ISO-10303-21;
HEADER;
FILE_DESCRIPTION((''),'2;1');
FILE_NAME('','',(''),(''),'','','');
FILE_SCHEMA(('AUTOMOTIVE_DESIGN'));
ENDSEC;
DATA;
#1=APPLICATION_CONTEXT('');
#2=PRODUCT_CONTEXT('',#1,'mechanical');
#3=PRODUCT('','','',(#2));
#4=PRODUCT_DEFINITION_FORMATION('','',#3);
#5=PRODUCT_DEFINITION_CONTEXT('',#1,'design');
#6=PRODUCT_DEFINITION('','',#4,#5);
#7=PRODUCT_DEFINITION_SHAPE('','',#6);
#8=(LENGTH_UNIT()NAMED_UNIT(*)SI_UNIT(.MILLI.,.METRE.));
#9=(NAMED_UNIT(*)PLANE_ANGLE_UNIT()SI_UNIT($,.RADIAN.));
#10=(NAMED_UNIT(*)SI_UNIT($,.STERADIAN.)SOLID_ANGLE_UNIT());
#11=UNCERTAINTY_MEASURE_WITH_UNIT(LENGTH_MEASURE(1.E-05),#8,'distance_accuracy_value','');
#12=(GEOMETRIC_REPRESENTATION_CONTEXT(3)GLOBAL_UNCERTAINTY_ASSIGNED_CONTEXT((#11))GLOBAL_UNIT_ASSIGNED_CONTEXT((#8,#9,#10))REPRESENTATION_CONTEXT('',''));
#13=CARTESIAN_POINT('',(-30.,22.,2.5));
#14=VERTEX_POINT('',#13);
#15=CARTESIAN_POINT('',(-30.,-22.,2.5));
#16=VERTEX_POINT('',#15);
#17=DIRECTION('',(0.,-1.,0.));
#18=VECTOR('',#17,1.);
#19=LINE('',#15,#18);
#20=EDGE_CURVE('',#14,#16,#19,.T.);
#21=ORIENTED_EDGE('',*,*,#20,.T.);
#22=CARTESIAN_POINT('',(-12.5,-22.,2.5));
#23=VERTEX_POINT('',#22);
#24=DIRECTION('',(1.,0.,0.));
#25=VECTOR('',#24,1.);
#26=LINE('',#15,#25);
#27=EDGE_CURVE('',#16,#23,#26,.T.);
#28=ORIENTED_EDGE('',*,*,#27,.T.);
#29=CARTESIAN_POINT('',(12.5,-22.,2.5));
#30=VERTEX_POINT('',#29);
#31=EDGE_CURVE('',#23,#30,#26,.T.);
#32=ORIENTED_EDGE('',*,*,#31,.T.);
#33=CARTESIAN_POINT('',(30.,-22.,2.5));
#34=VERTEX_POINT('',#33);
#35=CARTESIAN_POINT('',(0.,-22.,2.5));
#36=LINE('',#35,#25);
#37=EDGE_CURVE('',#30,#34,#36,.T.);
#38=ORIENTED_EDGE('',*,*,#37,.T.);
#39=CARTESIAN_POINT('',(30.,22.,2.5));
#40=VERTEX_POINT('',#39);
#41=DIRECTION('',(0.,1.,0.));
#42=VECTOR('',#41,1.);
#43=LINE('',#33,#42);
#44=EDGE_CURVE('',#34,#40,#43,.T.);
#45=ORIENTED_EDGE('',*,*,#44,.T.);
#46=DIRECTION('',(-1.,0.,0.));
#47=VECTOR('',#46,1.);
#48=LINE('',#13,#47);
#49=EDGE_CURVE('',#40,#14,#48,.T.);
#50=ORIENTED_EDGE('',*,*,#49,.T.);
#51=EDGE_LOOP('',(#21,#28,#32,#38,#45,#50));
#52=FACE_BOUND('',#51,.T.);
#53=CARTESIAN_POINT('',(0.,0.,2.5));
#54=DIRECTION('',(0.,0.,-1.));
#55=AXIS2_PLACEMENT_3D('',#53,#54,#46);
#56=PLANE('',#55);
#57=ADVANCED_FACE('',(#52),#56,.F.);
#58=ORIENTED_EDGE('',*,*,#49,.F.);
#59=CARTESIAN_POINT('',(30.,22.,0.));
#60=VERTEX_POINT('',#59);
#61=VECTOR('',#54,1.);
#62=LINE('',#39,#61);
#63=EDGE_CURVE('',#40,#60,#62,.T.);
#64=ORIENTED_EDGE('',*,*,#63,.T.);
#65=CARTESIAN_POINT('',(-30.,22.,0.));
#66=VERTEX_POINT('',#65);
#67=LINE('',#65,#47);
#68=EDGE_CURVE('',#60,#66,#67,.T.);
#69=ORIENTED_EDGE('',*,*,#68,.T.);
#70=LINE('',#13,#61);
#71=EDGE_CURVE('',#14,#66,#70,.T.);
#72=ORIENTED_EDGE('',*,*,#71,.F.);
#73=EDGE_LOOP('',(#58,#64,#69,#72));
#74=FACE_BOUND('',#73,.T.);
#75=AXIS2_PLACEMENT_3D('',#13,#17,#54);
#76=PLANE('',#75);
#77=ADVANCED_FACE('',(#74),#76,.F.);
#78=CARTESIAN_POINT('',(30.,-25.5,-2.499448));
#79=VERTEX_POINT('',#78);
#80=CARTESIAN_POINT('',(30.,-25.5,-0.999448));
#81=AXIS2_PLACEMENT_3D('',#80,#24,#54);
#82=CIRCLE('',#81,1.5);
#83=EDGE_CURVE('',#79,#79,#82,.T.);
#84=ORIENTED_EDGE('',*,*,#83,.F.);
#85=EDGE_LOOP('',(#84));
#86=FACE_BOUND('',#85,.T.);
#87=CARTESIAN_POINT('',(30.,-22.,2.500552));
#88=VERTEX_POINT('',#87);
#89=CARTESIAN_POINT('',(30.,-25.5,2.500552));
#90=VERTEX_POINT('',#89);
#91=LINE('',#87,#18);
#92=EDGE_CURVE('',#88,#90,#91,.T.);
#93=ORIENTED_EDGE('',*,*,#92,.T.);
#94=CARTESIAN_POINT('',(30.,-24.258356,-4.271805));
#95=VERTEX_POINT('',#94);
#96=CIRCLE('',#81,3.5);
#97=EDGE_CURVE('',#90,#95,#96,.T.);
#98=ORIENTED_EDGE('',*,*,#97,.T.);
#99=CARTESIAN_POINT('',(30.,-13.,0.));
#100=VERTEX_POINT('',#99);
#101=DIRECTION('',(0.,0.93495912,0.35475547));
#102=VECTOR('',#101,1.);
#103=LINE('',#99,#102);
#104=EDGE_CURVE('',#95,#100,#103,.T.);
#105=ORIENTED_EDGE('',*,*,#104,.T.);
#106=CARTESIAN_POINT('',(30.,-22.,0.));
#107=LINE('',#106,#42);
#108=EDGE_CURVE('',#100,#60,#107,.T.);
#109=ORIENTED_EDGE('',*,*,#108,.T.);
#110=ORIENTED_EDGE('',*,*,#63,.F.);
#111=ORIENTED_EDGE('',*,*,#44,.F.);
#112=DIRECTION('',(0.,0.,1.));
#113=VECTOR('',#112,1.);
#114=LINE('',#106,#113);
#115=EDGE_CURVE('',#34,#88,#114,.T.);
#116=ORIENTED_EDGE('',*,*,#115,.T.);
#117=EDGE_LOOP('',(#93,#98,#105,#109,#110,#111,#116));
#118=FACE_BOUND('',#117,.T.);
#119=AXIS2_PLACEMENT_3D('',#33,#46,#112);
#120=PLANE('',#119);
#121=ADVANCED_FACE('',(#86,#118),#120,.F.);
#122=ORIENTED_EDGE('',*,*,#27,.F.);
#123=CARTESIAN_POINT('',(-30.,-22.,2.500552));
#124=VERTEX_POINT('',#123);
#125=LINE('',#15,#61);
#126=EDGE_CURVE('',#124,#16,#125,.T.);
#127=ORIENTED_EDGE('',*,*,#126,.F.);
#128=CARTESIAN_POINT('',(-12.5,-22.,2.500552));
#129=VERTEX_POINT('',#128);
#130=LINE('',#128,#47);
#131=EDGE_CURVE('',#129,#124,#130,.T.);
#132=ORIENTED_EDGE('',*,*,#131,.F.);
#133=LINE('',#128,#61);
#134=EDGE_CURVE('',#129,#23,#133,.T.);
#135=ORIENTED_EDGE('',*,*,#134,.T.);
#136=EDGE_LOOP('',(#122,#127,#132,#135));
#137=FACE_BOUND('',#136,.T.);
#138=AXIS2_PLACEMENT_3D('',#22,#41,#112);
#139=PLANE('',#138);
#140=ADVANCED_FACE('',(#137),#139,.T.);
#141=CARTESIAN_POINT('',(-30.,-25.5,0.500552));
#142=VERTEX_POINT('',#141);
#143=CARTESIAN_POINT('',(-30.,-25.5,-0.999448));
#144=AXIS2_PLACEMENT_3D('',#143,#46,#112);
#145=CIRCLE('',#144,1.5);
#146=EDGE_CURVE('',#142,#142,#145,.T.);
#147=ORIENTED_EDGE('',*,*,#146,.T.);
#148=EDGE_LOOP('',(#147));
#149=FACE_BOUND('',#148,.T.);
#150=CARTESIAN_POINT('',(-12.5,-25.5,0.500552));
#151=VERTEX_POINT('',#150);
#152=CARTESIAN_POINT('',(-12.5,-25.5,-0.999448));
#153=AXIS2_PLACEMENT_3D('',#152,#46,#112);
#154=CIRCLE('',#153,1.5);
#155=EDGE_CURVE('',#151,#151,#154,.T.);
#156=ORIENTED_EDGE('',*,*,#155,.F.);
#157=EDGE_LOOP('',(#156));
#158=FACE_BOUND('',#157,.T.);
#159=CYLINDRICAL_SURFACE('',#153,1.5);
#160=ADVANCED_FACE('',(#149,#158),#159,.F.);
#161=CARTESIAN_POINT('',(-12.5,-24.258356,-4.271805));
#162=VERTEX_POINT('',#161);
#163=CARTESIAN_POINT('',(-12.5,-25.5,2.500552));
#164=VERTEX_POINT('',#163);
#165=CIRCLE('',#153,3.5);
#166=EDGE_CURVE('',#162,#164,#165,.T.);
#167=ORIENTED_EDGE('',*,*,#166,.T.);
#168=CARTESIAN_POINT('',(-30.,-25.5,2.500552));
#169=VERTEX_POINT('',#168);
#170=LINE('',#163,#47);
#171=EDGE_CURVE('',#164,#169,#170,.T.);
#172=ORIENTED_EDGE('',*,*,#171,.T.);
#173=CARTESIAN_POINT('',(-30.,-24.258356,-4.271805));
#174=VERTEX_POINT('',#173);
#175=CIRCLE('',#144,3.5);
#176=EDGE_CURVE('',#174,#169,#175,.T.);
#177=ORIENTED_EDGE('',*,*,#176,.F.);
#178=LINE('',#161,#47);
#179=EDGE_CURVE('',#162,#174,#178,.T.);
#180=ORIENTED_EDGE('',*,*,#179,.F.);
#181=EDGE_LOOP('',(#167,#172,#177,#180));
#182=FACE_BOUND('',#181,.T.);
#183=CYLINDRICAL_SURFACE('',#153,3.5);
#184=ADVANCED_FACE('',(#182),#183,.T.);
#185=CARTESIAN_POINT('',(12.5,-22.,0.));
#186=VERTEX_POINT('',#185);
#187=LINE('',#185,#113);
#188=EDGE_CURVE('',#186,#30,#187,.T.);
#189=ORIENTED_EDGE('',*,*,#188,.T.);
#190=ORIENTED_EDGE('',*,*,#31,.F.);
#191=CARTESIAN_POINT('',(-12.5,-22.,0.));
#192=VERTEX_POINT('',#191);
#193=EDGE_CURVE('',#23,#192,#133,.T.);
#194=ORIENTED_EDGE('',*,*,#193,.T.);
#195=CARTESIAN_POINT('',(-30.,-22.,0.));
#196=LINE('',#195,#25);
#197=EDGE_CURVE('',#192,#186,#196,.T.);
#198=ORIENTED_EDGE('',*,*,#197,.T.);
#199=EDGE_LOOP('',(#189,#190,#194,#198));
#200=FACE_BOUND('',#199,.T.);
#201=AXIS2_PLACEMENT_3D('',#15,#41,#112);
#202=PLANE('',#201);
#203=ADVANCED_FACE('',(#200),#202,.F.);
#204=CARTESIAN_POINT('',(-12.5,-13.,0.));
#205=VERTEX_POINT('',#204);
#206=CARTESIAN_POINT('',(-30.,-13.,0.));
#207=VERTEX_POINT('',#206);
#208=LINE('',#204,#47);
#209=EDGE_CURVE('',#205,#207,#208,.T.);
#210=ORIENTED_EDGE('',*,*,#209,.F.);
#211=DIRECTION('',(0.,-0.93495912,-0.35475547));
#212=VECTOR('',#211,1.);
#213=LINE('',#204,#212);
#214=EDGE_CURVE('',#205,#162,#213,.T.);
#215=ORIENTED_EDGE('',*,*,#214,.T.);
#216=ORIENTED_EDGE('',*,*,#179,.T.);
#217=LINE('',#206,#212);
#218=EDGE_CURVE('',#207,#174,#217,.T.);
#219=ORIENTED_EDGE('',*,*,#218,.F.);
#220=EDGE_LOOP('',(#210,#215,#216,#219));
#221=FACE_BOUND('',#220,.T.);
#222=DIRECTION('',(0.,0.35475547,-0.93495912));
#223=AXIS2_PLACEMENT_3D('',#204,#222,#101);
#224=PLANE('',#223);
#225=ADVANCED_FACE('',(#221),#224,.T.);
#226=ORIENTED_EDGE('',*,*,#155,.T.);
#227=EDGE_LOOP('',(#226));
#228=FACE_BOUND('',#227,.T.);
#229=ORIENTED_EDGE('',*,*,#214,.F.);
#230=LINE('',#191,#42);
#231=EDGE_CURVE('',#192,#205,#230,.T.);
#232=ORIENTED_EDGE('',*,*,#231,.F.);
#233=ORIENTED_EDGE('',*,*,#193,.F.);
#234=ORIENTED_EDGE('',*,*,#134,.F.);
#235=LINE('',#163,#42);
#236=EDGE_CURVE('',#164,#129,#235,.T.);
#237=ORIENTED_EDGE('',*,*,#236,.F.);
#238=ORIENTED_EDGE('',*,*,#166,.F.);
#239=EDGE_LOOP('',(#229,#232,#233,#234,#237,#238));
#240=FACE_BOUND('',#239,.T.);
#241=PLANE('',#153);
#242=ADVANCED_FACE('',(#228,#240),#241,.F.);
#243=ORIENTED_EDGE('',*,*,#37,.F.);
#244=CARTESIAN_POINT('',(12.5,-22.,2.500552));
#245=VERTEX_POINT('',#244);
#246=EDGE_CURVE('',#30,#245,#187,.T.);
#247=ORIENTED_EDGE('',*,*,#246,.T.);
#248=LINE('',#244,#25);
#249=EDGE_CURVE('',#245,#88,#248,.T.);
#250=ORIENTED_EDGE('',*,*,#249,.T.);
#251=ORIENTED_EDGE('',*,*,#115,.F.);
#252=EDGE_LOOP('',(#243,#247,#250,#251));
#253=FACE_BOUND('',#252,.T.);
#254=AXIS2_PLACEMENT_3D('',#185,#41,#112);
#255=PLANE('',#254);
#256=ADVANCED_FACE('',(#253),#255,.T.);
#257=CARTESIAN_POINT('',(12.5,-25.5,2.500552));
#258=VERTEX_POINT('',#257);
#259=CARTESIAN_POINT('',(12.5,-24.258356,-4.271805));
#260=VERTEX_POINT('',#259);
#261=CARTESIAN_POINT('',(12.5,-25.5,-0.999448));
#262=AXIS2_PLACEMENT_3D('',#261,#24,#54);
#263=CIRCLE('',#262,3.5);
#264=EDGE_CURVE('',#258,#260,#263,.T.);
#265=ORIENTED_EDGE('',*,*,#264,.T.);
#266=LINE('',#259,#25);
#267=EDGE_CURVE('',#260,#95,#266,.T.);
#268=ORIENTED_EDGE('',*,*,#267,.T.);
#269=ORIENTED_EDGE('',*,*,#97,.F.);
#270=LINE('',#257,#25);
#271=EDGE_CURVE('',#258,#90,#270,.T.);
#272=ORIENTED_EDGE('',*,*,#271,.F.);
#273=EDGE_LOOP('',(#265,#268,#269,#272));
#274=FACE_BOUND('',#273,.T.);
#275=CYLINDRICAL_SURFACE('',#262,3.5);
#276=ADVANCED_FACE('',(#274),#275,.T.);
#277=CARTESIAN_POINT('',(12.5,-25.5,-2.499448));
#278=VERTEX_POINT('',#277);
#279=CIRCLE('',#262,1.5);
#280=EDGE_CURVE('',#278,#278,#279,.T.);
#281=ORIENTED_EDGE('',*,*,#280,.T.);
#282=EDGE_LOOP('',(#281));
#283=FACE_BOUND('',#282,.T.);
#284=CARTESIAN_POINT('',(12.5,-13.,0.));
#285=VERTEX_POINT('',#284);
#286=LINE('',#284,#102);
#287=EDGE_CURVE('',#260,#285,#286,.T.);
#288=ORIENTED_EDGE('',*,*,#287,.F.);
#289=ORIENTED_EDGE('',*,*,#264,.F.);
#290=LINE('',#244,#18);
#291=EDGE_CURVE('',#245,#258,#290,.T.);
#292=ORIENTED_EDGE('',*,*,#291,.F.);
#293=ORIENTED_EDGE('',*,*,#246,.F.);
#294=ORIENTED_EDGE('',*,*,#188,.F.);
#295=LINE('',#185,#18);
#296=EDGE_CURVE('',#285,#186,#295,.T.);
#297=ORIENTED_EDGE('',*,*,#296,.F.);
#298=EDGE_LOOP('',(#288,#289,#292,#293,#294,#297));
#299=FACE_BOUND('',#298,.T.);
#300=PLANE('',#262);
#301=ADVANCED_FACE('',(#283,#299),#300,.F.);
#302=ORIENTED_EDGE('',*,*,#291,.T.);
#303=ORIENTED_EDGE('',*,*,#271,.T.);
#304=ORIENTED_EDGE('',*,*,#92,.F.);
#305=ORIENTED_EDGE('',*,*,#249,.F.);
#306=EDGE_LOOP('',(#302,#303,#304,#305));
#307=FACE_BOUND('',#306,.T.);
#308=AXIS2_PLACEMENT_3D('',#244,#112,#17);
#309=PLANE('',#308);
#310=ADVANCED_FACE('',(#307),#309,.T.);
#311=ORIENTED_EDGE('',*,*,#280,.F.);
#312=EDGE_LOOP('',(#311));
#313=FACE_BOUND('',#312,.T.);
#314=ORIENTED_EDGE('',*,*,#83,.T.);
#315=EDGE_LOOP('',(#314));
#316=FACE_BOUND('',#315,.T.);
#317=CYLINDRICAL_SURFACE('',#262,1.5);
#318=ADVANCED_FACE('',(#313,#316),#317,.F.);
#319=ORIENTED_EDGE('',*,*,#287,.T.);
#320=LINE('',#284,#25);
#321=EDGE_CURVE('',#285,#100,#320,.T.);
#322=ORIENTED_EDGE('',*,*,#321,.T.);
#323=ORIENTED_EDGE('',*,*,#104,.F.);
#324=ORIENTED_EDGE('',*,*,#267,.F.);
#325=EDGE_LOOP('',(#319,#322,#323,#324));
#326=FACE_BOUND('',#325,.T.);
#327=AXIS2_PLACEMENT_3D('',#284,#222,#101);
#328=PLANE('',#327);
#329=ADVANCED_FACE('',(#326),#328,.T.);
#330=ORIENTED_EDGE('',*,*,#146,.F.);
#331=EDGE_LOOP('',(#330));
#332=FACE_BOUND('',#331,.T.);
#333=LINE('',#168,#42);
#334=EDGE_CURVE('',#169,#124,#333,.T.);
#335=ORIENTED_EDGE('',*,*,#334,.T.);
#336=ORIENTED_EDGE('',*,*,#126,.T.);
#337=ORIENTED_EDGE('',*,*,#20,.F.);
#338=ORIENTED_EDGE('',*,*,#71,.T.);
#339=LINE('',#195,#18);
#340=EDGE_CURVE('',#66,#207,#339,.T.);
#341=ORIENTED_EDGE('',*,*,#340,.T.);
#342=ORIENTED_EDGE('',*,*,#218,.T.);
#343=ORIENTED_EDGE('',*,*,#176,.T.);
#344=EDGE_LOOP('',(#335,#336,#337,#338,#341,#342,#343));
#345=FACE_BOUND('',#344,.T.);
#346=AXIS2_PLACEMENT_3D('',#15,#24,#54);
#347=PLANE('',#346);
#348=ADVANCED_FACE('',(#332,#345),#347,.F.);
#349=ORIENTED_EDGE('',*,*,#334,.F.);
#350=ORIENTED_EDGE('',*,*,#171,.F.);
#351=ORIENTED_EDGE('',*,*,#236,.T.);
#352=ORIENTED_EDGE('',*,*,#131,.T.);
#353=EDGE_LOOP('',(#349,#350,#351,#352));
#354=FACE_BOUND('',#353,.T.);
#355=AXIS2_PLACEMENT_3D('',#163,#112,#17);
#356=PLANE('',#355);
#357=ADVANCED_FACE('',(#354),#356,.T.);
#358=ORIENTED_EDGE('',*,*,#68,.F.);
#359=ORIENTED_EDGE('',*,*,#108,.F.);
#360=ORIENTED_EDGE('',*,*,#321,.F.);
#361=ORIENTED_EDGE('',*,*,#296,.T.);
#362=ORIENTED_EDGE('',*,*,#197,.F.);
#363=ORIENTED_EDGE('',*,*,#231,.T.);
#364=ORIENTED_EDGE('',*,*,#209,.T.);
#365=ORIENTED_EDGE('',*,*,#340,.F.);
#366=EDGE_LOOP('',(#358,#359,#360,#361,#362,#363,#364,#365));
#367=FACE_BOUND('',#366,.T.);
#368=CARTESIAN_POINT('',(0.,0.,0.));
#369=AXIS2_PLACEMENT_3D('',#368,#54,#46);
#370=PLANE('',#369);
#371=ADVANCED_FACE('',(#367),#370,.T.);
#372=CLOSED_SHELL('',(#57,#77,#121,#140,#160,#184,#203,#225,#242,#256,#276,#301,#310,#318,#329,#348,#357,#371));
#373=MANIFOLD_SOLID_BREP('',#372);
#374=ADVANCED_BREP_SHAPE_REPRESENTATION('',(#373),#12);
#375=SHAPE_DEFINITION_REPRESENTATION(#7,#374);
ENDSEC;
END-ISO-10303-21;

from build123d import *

# Parameters (mm, degrees)
SKETCH_1_W      = 60
SKETCH_1_H      = 44
EXTRUDE_3_DEPTH = 2.5
SKETCH_4_R      = 1.5
EXTRUDE_4_DEPTH = 17.5
EXTRUDE_START   = -17.5
SKETCH_5_R      = 1.5
EXTRUDE_5_DEPTH = 17.5


with BuildPart() as part:
    # 草图1 → 凸台-拉伸3 (new body)
    with BuildSketch(Plane.XY):
        Rectangle(SKETCH_1_W, SKETCH_1_H)
    extrude(amount=EXTRUDE_3_DEPTH)

    # 草图4 → 凸台-拉伸4 (add)
    with BuildSketch(Plane(origin=(30, 0, 0), x_dir=(0, 0, -1), z_dir=(1, 0, 0))):
        with BuildLine():
            Line((0, -22), (0, -13))
            Line((0, -13), (4.271805299, -24.258355855))
            ThreePointArc((4.271805299, -24.258355855), (1.630618235, -28.942618859), (-2.500551622, -25.5))
            Line((-2.500551622, -25.5), (-2.500551622, -22))
            Line((-2.500551622, -22), (0, -22))
        make_face()
        with Locations((0.999448378, -25.5)):
            Circle(SKETCH_4_R, mode=Mode.SUBTRACT)
    extrude(amount=-EXTRUDE_4_DEPTH)

    # 草图5 → 凸台-拉伸5 (add)
    with BuildSketch(Plane.ZY.offset(30).offset(EXTRUDE_START)):
        with BuildLine():
            Line((2.5, -22), (0, -22))
            Line((0, -22), (0, -13))
            Line((0, -13), (-4.271805299, -24.258355855))
            ThreePointArc((-4.271805299, -24.258355855), (-1.630618235, -28.942618859), (2.500551622, -25.5))
            Line((2.500551622, -25.5), (2.5, -22))
        make_face()
        with Locations(Location((-0.999448378, -25.5, 0), (0, 0, 180))):
            Circle(SKETCH_5_R, mode=Mode.SUBTRACT)
    extrude(amount=EXTRUDE_5_DEPTH)


solid = part.part
